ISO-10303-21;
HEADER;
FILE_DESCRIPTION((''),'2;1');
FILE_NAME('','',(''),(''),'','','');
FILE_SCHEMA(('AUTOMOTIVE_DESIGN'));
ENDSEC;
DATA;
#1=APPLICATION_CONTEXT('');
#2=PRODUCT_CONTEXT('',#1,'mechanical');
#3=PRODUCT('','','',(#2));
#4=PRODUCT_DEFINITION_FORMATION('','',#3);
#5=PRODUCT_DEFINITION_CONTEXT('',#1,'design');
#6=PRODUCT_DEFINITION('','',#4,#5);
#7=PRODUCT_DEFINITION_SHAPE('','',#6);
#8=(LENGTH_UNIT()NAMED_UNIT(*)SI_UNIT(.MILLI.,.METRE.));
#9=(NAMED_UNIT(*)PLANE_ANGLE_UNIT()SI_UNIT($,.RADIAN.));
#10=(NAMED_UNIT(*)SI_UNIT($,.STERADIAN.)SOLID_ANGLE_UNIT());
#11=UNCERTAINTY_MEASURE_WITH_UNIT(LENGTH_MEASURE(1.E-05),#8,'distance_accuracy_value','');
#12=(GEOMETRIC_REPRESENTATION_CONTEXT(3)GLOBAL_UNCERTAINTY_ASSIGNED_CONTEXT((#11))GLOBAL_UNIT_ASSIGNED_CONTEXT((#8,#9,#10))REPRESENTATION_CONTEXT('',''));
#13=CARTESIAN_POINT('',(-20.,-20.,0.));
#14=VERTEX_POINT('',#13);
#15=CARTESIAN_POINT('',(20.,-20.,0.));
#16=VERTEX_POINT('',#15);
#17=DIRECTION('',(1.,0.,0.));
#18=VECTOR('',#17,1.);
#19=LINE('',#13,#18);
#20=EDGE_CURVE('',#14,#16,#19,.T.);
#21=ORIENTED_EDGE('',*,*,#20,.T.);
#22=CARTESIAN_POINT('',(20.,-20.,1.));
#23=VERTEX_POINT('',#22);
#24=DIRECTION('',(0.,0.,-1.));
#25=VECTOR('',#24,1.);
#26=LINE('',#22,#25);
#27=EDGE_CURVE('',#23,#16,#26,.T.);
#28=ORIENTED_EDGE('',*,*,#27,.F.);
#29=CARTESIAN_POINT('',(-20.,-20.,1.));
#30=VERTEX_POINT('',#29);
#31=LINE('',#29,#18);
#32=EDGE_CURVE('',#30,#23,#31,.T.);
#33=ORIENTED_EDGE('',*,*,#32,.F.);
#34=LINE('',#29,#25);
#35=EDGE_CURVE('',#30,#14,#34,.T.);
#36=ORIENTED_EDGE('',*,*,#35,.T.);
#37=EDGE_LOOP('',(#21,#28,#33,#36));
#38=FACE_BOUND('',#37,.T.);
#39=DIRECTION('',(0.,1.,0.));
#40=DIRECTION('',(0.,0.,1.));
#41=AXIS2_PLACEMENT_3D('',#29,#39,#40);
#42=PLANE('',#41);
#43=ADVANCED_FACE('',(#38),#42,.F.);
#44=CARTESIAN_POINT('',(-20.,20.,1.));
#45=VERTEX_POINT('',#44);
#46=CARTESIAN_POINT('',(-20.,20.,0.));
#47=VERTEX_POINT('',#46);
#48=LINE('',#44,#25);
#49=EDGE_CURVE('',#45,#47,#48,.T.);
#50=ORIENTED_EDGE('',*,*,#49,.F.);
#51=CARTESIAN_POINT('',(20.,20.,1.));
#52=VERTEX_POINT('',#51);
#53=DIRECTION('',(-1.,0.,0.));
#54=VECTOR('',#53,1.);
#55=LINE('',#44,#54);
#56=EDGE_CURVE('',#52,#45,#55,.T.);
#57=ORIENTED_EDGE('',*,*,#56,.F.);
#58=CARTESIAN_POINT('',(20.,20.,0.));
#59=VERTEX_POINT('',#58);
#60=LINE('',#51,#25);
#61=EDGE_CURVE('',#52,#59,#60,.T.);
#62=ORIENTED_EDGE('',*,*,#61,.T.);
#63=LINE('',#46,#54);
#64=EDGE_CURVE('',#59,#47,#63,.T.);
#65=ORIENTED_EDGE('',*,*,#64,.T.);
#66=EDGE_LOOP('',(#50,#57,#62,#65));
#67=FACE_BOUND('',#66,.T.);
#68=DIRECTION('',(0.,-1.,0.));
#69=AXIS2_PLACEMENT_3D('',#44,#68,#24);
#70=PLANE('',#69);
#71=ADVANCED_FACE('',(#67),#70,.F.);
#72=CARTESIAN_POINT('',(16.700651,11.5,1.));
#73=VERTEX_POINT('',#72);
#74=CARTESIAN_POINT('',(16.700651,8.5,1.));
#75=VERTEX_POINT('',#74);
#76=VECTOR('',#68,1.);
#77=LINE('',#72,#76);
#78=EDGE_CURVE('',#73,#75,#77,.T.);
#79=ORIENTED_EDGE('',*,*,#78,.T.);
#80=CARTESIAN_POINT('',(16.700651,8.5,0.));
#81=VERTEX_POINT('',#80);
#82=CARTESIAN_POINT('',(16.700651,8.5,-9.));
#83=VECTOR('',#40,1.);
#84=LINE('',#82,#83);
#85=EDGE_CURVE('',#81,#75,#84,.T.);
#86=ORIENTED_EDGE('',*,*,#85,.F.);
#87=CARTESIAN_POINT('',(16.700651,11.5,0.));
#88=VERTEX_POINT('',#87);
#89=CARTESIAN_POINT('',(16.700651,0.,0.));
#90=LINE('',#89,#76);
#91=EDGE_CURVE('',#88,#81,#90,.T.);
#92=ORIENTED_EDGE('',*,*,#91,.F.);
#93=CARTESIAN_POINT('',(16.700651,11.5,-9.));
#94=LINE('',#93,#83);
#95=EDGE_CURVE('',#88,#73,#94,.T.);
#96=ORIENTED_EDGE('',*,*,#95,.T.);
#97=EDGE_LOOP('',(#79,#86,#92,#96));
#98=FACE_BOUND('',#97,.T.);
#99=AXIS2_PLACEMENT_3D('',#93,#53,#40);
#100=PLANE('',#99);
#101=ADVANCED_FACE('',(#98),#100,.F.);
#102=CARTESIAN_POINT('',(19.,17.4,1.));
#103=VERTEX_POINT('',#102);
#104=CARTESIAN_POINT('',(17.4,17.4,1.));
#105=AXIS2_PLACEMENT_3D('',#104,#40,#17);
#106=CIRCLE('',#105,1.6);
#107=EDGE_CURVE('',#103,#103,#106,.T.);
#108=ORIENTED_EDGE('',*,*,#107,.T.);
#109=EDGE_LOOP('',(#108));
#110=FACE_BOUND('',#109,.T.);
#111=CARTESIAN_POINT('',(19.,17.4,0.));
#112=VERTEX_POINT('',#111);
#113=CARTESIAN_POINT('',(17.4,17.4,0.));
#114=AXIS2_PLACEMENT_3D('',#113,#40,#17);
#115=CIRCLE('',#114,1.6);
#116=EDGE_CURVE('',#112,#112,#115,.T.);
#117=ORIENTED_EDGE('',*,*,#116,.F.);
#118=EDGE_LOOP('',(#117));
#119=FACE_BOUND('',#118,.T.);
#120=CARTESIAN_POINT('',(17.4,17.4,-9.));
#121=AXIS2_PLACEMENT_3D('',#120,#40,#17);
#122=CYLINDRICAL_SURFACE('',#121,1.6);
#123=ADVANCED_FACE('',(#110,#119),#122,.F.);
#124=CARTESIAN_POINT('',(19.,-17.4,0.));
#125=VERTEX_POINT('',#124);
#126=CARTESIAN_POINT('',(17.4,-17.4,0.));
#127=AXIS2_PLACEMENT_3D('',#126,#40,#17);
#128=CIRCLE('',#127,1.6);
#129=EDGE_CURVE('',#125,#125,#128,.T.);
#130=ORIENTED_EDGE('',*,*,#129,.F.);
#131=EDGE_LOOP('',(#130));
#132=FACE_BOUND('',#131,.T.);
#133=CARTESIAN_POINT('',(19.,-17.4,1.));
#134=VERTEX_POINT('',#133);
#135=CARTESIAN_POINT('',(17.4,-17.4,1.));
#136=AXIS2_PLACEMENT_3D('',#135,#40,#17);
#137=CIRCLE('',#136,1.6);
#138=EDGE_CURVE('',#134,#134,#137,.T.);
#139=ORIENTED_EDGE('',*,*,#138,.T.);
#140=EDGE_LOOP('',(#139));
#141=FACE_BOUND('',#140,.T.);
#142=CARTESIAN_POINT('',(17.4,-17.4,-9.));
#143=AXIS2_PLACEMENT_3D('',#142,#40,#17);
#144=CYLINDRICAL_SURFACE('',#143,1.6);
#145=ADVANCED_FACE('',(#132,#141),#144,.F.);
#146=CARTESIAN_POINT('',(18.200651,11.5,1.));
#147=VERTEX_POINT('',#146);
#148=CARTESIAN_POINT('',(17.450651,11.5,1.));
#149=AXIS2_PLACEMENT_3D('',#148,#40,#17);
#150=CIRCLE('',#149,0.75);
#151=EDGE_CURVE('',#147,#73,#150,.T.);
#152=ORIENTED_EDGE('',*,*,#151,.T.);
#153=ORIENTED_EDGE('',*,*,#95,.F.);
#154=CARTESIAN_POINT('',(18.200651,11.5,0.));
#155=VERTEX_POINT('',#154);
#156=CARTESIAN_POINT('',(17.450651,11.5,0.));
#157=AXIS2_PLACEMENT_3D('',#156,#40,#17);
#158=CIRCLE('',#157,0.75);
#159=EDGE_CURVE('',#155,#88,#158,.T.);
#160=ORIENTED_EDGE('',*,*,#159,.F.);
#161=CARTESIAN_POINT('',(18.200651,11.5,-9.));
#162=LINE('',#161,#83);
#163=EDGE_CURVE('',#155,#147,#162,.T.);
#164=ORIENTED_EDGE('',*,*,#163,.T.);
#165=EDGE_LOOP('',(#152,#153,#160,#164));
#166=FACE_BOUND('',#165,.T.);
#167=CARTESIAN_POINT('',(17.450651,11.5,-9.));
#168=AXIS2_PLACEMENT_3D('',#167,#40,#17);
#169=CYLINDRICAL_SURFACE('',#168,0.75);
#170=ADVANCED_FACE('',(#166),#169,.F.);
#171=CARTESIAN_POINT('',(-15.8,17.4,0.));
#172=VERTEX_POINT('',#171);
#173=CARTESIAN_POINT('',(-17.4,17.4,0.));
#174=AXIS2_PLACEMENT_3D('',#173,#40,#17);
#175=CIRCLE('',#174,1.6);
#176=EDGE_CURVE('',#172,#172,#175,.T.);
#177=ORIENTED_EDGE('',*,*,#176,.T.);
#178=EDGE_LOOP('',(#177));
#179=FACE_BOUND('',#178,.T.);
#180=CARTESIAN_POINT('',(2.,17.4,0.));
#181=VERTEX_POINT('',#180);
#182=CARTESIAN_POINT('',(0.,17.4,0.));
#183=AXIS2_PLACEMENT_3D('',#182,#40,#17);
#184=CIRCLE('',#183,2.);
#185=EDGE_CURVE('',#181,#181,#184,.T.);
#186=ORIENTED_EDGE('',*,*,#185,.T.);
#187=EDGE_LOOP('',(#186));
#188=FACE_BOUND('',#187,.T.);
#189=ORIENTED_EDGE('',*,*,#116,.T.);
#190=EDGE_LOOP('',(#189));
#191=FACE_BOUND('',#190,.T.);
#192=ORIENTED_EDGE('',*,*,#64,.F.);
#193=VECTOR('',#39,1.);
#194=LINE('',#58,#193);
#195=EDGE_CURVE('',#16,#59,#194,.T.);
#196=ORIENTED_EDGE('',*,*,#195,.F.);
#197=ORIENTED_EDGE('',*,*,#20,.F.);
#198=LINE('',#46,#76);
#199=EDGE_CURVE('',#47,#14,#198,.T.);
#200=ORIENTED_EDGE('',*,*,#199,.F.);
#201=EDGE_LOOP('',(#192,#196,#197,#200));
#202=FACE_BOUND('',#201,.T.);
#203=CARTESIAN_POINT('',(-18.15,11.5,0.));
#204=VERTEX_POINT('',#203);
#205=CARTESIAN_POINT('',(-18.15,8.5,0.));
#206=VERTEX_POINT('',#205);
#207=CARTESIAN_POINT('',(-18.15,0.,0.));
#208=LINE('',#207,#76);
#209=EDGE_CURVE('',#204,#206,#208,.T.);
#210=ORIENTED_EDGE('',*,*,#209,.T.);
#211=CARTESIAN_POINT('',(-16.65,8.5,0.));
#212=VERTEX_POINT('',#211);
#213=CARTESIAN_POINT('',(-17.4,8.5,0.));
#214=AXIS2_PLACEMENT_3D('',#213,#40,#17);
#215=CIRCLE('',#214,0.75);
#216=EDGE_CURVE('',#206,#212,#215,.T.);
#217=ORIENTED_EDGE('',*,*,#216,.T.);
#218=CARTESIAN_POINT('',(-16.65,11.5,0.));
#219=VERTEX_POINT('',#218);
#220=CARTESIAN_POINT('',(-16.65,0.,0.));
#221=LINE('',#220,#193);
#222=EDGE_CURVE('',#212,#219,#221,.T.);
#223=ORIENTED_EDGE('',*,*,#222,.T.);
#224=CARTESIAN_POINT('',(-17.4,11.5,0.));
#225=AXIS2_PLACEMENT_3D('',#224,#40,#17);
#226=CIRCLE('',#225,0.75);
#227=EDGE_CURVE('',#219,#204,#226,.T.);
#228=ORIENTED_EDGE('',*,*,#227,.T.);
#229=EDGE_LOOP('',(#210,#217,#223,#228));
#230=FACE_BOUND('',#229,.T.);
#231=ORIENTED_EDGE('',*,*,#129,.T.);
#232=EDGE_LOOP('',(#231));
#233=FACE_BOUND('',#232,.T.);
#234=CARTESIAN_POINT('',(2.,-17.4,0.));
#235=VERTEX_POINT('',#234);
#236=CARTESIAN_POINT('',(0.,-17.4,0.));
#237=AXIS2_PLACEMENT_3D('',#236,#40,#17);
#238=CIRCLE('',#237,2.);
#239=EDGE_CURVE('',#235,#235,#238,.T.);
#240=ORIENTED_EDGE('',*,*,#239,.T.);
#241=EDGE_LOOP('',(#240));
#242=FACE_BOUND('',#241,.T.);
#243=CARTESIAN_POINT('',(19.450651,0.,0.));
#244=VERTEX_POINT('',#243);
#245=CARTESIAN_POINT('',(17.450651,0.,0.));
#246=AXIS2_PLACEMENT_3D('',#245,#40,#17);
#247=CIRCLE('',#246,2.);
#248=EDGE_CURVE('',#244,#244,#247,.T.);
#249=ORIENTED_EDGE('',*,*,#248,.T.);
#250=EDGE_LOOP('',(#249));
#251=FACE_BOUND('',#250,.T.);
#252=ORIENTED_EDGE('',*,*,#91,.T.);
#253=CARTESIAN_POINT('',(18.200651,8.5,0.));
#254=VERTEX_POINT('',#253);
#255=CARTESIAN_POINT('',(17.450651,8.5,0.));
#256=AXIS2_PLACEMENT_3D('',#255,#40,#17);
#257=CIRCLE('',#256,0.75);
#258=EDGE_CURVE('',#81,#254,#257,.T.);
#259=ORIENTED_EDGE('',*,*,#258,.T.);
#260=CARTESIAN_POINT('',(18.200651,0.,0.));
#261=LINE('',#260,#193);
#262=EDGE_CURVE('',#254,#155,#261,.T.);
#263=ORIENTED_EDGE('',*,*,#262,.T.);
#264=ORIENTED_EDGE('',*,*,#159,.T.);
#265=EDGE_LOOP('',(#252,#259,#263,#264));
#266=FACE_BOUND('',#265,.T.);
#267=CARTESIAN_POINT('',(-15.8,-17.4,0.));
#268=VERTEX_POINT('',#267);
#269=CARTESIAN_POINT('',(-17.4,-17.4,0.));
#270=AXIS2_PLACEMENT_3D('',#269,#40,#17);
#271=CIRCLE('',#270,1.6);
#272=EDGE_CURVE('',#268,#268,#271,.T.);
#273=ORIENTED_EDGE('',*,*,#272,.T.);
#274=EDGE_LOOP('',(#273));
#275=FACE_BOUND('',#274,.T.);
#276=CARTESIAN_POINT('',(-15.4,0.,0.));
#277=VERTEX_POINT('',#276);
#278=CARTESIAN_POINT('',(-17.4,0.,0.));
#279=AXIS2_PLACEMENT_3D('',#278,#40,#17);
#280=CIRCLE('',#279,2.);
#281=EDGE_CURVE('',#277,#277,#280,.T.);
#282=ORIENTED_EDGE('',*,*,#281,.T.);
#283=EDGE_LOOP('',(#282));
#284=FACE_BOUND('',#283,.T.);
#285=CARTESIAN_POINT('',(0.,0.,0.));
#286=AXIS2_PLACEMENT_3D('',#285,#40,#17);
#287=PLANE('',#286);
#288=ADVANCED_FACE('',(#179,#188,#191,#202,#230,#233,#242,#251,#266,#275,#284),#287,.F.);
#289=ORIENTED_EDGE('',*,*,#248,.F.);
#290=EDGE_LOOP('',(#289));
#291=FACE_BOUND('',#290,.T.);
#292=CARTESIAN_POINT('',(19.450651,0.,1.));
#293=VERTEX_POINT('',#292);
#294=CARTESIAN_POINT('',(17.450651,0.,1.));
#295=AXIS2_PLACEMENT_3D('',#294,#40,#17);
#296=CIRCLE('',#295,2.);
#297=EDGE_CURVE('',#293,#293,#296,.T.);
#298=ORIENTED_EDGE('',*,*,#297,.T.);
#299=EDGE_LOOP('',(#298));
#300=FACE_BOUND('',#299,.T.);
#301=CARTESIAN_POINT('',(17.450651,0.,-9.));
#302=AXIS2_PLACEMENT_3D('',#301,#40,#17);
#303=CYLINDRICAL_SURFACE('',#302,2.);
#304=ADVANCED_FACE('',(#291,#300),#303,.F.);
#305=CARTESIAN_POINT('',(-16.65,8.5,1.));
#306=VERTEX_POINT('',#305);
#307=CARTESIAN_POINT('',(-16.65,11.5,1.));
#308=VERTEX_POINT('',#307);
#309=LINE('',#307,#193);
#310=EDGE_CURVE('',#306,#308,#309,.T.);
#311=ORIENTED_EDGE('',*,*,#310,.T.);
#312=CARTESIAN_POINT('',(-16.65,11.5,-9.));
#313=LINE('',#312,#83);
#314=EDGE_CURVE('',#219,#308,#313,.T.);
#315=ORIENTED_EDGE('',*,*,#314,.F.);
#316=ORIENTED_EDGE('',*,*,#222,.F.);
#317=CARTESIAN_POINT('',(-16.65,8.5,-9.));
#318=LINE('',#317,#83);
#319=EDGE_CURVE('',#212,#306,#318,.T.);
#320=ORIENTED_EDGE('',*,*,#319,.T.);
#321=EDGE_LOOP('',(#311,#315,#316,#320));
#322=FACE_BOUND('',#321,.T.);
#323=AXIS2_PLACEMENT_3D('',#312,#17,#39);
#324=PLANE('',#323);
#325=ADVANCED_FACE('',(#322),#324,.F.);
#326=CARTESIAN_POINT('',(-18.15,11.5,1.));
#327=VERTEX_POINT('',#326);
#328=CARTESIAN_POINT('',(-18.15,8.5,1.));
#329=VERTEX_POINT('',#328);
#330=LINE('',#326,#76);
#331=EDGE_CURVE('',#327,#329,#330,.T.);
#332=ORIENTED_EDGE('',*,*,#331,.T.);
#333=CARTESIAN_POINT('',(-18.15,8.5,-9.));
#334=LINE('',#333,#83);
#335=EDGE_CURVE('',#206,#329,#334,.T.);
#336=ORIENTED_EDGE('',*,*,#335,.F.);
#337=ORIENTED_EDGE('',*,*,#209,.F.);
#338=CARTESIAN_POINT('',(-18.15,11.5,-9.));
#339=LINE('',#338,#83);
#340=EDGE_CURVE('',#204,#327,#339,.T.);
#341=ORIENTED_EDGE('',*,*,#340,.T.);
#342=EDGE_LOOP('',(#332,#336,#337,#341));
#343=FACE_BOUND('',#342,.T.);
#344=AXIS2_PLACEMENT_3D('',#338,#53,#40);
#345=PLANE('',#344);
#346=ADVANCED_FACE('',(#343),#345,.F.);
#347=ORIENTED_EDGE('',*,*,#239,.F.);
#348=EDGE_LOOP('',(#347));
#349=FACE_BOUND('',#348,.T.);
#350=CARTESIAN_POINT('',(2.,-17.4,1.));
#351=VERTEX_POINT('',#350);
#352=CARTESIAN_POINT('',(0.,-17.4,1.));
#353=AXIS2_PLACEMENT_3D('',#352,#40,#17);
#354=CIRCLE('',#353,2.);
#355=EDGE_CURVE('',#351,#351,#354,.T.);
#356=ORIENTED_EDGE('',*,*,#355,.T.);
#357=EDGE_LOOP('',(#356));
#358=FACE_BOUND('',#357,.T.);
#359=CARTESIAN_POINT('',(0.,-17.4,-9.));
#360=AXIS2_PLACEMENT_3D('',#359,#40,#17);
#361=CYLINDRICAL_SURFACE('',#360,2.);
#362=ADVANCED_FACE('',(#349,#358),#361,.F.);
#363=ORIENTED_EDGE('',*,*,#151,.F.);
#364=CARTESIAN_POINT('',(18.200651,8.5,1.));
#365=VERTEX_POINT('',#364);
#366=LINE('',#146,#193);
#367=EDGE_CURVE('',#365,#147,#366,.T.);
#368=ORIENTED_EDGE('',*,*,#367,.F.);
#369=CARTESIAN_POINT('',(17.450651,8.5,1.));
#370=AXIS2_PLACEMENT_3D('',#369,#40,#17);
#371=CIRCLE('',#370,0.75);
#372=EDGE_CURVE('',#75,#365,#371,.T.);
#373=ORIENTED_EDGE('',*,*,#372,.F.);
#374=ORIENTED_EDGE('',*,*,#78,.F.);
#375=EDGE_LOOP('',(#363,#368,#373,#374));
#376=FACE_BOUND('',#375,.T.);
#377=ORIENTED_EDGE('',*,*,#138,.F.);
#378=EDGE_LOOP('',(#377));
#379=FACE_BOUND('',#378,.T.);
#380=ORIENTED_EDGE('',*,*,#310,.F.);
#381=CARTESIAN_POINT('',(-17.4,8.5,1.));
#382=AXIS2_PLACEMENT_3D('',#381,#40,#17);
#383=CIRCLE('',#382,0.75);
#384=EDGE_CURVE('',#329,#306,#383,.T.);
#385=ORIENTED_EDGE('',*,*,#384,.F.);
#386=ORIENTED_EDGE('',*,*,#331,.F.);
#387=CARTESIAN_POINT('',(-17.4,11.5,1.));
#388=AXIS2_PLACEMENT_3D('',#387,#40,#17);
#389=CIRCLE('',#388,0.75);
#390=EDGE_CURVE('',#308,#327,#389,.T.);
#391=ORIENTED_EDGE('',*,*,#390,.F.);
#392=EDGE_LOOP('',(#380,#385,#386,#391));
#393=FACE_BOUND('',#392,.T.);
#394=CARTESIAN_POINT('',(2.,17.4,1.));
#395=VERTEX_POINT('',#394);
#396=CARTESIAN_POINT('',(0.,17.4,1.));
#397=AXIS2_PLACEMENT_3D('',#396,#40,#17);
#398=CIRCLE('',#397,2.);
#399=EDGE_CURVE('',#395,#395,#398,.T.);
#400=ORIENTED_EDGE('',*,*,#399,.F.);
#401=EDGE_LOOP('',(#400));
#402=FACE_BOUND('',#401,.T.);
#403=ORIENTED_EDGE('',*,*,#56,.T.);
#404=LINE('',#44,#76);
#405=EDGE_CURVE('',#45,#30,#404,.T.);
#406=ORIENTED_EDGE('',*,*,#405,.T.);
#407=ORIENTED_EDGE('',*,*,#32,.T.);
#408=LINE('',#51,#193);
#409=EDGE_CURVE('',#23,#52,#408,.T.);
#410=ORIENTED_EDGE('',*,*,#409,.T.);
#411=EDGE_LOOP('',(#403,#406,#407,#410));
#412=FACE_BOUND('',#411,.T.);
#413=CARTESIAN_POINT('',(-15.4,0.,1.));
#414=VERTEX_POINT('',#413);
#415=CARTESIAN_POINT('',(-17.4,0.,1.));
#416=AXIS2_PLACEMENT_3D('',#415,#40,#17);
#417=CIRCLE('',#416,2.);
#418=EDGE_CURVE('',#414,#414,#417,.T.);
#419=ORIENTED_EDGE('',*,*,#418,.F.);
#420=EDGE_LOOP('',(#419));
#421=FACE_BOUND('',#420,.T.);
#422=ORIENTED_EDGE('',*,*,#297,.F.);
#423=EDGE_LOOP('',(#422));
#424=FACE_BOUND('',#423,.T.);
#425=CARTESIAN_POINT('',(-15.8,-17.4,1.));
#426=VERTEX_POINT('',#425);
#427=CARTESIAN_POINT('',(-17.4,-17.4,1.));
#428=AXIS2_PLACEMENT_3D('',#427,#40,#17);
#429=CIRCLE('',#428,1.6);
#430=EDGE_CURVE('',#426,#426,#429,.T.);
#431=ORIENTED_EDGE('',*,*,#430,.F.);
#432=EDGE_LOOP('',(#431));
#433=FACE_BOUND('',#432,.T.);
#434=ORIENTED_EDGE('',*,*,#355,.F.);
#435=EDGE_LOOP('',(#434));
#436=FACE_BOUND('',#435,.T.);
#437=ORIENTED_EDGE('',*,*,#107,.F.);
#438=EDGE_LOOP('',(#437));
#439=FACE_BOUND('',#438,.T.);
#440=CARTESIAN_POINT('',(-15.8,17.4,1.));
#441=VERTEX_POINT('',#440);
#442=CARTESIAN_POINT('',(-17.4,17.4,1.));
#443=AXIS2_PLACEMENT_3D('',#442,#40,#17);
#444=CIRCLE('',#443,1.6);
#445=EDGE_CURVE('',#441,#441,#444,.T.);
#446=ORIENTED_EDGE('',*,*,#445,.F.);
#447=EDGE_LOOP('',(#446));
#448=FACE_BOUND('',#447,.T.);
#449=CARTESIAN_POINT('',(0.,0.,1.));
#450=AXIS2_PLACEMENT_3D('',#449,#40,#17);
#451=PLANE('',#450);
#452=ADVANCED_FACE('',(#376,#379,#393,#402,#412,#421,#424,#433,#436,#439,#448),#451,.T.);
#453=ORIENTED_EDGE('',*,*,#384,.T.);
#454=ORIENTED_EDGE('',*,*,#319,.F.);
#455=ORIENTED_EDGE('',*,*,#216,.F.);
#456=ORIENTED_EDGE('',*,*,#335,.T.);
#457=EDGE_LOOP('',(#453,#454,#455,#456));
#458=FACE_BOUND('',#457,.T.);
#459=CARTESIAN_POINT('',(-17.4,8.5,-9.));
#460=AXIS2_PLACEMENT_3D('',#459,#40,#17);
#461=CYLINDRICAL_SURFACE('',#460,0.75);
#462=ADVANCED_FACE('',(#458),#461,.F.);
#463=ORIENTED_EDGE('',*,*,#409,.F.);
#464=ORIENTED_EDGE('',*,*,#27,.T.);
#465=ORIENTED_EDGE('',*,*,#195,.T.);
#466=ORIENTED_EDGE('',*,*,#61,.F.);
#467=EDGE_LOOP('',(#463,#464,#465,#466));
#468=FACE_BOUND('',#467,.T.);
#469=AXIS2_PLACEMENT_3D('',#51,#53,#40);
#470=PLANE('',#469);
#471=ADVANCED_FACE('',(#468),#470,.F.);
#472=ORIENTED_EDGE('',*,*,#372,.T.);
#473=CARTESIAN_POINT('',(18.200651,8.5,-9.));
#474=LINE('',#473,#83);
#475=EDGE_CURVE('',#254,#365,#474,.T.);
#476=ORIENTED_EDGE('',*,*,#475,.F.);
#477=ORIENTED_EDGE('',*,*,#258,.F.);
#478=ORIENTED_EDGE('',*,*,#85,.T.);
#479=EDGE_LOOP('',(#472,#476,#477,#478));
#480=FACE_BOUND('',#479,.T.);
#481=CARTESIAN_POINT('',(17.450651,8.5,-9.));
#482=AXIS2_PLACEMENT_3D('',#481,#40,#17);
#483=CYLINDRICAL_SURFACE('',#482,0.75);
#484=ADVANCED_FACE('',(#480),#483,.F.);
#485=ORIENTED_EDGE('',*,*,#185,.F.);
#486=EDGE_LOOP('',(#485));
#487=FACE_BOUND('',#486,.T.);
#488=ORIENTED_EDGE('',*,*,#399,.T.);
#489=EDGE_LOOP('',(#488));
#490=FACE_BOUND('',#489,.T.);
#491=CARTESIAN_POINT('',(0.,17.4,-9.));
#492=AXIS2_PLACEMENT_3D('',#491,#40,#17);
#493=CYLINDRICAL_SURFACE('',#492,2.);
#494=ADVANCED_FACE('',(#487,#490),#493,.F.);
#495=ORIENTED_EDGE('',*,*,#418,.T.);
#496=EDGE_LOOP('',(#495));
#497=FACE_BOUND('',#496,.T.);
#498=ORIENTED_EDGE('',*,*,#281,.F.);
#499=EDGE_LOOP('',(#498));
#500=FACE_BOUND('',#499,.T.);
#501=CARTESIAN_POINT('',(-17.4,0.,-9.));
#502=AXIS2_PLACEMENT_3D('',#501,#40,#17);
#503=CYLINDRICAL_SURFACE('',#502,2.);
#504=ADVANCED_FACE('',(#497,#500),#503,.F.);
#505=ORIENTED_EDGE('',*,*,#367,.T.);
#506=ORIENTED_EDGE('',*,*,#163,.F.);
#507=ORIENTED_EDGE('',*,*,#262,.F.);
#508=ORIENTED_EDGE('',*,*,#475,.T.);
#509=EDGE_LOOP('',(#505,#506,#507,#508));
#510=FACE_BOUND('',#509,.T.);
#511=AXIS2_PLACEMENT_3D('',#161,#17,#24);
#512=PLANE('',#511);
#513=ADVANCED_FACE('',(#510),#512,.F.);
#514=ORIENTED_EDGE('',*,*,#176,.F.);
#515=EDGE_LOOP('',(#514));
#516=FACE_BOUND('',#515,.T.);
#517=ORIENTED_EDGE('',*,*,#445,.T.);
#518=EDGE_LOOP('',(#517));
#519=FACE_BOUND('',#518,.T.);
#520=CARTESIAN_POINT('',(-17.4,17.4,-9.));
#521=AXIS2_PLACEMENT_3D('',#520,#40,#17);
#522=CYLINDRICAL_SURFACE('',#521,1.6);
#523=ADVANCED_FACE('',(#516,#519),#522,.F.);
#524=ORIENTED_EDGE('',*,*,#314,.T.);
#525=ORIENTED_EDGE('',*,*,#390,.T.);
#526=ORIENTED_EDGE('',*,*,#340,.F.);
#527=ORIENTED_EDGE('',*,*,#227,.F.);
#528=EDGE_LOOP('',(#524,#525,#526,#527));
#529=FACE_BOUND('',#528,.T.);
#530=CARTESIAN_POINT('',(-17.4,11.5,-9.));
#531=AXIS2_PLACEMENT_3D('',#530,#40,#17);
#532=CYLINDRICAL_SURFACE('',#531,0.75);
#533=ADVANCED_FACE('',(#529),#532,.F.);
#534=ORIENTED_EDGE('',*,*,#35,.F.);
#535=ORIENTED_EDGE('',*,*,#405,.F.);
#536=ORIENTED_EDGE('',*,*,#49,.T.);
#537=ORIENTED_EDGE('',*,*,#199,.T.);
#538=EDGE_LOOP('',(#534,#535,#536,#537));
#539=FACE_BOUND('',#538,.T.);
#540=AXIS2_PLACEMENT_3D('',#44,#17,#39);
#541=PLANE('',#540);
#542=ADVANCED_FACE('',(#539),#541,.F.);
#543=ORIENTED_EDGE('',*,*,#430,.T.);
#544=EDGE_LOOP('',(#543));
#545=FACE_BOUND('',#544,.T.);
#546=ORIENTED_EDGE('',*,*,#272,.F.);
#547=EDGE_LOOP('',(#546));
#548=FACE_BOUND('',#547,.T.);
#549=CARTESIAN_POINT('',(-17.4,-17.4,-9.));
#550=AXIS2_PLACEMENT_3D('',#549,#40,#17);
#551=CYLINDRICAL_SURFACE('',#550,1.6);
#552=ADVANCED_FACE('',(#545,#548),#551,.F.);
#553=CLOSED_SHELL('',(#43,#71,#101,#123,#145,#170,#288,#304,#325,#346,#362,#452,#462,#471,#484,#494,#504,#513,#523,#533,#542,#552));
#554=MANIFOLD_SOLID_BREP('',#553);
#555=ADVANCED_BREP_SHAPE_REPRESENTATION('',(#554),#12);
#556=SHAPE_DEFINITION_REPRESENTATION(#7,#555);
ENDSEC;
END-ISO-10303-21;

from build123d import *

# Parameters (mm, degrees)
SKETCH1_W           = 40
SKETCH1_H           = 40
BOSS_EXTRUDE1_DEPTH = 1
SKETCH2_R           = 1.6
SKETCH2_R_2         = 2
CUT_EXTRUDE1_DEPTH  = 10


with BuildPart() as part:
    # Sketch1 → Boss-Extrude1 (new body)
    with BuildSketch(Plane.XY):
        Rectangle(SKETCH1_W, SKETCH1_H)
    extrude(amount=BOSS_EXTRUDE1_DEPTH)

    # Sketch2 → Cut-Extrude1 (cut)
    with BuildSketch(Plane.XY.offset(1)):
        with Locations((-17.4, -17.4)):
            Circle(SKETCH2_R)
        with Locations((17.4, -17.4)):
            Circle(SKETCH2_R)
        with Locations((17.4, 17.4)):
            Circle(SKETCH2_R)
        with Locations((-17.4, 17.4)):
            Circle(SKETCH2_R)
        with Locations((0, 17.4)):
            Circle(SKETCH2_R_2)
        with Locations((17.450650527, 0)):
            Circle(SKETCH2_R_2)
        with Locations((0, -17.4)):
            Circle(SKETCH2_R_2)
        with Locations((-17.4, 0)):
            Circle(SKETCH2_R_2)
        with BuildLine():
            Line((-16.65, 11.5), (-16.65, 8.5))
            ThreePointArc((-16.65, 8.5), (-17.4, 7.75), (-18.15, 8.5))
            Line((-18.15, 8.5), (-18.15, 11.5))
            ThreePointArc((-18.15, 11.5), (-17.4, 12.25), (-16.65, 11.5))
        make_face()
        with BuildLine():
            Line((18.200650527, 11.5), (18.200650527, 8.5))
            ThreePointArc((18.200650527, 8.5), (17.450650527, 7.75), (16.700650527, 8.5))
            Line((16.700650527, 8.5), (16.700650527, 11.5))
            ThreePointArc((16.700650527, 11.5), (17.450650527, 12.25), (18.200650527, 11.5))
        make_face()
    extrude(amount=-CUT_EXTRUDE1_DEPTH, mode=Mode.SUBTRACT)


solid = part.part
